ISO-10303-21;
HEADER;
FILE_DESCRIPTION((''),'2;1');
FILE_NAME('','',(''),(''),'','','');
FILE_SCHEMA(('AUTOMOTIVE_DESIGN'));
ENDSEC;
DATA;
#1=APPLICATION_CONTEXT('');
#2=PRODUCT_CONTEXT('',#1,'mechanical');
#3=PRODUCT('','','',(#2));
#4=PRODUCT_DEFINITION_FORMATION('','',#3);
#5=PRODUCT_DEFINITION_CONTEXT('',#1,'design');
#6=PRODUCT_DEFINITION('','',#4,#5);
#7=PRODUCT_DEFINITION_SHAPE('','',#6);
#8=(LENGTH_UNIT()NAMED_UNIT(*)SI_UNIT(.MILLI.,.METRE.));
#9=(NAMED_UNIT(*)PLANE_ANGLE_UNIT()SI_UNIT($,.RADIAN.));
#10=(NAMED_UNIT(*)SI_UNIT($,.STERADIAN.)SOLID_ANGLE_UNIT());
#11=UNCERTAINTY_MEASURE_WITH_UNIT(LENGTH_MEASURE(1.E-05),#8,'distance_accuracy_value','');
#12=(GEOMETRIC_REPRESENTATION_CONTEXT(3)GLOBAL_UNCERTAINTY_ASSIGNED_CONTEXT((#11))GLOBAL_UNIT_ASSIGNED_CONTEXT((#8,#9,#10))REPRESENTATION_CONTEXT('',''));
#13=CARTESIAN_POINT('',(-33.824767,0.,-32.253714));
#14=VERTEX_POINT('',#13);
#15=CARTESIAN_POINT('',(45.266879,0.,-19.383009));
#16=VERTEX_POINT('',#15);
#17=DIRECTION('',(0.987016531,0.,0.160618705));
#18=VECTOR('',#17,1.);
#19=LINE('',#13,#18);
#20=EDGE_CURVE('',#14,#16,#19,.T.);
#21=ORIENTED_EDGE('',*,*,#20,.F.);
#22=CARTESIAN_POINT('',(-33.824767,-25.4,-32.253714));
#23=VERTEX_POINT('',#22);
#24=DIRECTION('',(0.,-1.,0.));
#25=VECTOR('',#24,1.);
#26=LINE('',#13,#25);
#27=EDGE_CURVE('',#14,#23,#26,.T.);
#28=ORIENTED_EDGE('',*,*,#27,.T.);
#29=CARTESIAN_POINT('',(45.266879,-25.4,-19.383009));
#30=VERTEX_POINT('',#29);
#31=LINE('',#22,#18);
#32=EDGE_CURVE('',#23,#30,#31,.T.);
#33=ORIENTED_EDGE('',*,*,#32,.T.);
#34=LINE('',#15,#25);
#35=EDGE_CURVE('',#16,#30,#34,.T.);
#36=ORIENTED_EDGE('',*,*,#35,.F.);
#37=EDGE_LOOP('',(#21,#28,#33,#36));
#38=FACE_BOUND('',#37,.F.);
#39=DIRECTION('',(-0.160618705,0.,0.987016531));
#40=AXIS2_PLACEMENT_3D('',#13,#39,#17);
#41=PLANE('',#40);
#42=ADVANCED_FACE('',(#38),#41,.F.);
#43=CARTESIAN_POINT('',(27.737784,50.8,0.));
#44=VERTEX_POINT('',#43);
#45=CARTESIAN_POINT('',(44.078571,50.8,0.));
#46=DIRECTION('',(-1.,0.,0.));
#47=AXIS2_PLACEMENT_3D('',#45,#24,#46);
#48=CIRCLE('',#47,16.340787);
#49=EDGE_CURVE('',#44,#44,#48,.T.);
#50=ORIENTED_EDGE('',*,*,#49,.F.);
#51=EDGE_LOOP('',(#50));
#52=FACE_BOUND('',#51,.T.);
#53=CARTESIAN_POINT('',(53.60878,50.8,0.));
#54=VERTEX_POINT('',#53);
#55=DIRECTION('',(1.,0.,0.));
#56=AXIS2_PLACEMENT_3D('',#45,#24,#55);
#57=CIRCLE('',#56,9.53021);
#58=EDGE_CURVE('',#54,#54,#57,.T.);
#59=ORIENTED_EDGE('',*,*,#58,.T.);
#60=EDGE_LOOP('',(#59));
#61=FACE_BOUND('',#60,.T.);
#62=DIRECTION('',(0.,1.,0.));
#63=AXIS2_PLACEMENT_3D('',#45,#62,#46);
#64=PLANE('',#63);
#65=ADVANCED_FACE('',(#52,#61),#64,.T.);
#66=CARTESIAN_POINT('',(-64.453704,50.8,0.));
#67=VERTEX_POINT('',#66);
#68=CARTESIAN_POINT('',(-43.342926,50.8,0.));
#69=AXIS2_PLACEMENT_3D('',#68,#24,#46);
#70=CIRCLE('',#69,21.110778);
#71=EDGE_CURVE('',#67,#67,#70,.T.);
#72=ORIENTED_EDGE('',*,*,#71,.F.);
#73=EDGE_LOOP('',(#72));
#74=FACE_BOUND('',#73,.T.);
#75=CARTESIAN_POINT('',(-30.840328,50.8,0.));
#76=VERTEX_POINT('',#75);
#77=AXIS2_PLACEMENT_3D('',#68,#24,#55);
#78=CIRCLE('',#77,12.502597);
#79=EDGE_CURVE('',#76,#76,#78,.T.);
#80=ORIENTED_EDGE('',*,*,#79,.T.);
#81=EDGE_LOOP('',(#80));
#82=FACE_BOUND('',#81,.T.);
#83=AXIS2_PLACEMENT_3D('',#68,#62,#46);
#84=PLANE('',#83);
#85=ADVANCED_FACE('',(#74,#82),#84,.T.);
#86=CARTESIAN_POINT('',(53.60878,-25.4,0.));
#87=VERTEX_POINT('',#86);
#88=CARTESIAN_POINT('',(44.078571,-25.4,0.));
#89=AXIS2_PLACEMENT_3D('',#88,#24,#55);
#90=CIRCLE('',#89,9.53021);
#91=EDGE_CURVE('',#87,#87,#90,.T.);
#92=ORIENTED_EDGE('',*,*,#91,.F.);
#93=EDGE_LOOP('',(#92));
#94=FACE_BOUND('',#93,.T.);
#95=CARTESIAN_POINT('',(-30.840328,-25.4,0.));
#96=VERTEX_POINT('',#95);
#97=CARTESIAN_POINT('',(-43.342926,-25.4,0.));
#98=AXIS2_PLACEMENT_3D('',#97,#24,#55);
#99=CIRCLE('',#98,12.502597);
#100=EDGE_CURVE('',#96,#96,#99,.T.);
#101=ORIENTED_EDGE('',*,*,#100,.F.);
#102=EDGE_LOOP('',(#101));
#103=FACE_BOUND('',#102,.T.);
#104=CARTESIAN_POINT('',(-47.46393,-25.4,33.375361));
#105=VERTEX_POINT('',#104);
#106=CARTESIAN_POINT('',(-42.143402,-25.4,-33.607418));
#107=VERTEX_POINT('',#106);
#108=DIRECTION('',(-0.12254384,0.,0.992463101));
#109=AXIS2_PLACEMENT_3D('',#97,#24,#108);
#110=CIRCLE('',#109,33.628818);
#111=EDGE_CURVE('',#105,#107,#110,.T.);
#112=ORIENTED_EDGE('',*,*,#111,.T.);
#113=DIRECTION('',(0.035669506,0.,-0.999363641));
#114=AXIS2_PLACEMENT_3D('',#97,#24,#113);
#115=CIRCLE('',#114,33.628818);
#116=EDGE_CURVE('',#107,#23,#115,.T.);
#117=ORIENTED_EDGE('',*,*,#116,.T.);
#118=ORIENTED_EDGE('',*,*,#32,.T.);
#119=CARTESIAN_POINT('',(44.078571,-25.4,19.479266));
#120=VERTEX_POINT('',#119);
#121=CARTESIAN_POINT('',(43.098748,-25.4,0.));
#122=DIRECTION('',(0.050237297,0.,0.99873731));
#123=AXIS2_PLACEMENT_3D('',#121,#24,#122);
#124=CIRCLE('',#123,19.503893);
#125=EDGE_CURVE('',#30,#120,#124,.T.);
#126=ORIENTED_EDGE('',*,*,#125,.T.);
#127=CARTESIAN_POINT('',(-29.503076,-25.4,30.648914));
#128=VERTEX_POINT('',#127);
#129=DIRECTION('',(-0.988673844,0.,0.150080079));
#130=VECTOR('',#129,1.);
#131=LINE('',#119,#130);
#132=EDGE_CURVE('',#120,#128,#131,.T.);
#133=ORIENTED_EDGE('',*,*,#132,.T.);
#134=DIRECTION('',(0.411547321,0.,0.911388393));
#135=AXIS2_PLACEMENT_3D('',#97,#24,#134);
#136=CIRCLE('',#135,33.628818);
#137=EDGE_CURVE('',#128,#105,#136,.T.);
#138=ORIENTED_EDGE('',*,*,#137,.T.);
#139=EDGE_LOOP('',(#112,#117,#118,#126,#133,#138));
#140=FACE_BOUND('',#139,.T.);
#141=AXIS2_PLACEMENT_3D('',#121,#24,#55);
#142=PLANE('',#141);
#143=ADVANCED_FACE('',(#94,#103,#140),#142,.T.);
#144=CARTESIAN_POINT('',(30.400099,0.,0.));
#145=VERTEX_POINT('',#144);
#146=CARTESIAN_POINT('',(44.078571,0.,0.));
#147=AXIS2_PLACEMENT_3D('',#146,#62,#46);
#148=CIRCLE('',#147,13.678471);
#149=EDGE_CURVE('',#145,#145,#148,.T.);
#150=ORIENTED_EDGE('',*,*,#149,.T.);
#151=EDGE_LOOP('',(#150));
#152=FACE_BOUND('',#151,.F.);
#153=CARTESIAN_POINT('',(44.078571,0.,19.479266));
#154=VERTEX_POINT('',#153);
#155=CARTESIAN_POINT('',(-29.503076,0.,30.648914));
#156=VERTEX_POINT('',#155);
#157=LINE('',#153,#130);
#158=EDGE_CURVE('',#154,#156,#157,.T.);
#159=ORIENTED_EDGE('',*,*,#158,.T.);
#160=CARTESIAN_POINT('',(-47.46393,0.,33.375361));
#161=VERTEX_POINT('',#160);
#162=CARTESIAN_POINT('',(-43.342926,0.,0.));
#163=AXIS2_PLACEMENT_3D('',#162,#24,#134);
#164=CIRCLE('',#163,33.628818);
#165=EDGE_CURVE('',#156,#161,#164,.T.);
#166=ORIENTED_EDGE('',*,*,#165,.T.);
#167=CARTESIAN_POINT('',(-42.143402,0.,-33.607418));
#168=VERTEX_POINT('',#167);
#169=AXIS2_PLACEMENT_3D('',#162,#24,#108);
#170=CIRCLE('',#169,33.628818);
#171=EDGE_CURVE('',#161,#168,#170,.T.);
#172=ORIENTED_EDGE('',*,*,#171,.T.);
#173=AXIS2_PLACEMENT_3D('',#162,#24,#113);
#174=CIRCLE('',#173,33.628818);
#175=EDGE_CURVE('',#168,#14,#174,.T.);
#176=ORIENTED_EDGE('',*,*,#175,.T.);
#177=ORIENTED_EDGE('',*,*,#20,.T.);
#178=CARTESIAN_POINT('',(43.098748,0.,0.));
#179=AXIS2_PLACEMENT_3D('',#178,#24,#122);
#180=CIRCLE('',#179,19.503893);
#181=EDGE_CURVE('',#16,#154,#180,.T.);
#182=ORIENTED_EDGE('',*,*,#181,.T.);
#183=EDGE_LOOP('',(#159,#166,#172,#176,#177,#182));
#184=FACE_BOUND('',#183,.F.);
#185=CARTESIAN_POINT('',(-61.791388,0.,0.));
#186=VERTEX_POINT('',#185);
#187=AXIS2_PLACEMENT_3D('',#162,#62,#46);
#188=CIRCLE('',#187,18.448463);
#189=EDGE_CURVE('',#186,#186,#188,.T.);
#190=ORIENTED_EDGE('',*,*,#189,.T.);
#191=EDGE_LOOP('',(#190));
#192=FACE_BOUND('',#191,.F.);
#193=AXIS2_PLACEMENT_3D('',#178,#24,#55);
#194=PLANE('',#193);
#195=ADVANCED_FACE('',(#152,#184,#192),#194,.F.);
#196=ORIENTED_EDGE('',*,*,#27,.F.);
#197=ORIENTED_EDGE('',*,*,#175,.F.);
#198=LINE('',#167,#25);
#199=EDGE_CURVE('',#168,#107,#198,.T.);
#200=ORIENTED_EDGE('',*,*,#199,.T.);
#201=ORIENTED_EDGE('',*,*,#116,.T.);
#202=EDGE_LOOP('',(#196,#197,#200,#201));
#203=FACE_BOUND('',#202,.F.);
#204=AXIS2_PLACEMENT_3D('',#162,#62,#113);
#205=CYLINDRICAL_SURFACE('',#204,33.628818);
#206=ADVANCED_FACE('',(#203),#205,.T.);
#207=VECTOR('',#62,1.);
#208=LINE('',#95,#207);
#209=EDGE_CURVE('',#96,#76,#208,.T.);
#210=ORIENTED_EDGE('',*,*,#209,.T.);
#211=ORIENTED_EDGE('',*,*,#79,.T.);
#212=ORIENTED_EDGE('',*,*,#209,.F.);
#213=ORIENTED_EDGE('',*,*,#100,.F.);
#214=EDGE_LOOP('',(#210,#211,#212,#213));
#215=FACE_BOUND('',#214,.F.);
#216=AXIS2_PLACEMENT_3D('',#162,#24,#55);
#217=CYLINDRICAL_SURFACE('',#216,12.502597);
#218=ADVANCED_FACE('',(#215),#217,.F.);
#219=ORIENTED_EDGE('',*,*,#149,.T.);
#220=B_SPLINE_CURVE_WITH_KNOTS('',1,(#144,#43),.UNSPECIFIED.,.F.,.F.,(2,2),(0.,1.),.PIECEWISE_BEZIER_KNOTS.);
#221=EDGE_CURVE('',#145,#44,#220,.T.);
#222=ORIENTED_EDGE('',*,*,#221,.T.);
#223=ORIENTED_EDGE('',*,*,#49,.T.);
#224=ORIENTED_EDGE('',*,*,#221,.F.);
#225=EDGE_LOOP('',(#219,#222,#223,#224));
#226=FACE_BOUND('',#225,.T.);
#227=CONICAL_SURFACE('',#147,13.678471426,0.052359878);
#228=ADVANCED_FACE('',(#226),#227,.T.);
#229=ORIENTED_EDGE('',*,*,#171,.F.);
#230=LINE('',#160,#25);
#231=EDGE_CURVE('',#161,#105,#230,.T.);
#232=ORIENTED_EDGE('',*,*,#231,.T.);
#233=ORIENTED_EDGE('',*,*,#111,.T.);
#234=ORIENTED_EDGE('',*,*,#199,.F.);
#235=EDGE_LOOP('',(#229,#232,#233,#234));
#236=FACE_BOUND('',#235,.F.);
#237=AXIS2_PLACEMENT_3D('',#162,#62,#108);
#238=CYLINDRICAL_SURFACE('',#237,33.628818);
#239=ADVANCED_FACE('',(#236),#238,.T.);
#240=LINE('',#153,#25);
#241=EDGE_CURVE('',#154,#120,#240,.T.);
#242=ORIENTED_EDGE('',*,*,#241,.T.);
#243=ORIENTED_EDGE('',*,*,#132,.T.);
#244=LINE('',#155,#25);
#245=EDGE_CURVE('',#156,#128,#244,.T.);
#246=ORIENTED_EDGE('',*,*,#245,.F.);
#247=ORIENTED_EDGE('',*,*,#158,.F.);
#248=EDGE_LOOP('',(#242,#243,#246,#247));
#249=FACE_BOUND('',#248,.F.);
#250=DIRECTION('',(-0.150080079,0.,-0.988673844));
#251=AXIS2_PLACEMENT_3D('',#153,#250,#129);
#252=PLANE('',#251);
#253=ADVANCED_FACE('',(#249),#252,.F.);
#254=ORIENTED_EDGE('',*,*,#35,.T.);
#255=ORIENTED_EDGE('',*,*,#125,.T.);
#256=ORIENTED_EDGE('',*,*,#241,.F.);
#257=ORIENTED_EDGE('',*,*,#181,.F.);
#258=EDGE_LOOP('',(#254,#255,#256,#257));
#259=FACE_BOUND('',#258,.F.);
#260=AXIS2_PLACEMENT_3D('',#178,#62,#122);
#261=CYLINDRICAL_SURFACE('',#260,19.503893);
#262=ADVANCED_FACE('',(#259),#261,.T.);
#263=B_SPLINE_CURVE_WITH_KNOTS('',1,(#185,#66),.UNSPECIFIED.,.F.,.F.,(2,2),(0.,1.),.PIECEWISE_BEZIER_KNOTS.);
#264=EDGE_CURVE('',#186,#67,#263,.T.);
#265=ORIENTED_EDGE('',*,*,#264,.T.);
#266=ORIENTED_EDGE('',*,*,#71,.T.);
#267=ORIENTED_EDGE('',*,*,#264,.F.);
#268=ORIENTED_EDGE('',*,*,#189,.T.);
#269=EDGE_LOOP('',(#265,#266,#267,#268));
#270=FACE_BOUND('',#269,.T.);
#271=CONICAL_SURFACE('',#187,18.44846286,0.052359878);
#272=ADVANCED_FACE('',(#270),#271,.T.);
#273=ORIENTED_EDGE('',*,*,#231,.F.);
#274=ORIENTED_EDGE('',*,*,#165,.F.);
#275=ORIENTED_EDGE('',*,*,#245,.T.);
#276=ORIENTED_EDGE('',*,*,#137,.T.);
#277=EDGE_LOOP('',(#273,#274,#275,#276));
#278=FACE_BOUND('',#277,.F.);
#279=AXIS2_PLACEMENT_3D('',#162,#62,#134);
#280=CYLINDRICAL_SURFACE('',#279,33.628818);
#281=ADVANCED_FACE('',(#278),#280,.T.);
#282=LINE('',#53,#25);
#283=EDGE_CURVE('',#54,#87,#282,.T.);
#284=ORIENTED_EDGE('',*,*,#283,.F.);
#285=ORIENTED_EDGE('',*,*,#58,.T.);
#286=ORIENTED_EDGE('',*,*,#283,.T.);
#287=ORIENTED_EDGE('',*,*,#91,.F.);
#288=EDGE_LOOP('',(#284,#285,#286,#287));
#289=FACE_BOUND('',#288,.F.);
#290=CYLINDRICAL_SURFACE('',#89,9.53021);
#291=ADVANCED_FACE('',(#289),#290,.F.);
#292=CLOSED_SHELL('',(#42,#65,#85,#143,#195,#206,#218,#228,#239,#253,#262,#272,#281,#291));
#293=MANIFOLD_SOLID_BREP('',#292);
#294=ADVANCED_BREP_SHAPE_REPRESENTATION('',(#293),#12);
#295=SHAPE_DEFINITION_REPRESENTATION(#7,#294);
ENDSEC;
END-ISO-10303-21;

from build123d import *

# Parameters (mm, degrees)
F1_DEPTH = 25.4
F2_R     = 12.5025972882
F2_R_2   = 9.5302098869
F3_DEPTH = 25.4
F4_R     = 18.4484628598
F4_R_2   = 13.6784714259
F5_DEPTH = 50.8
F5_TAPER = -3
F6_DEPTH = 50.8
F7_DEPTH = 50.8


with BuildPart() as f1:
    # F0 (on Front) → F1 (new body)
    with BuildSketch(Plane.XZ):
        with BuildLine():
            ThreePointArc((45.2668793955, -19.3830094207), (57.6364376691, -13.0022082879), (62.6026409088, 0))
            ThreePointArc((62.6026409088, 0), (57.2322577304, 13.4404517854), (44.0785706073, 19.4792658036))
            ThreePointArc((44.0785706073, 19.4792658036), (23.6039660348, -0.5961004671), (45.2668793955, -19.3830094207))
        make_face()
        with BuildLine():
            ThreePointArc((45.2668793955, -19.3830094207), (23.6039660348, -0.5961004671), (44.0785706073, 19.4792658036))
            Line((44.0785706073, 19.4792658036), (-29.5030757231, 30.6489142731))
            ThreePointArc((-29.5030757231, 30.6489142731), (-15.0912426316, 18.2411567602), (-9.7141077437, 0))
            ThreePointArc((-9.7141077437, 0), (-16.4079870718, -20.1347082672), (-33.8247665625, -32.2537135744))
            Line((-33.8247665625, -32.2537135744), (45.2668793955, -19.3830094207))
        make_face()
        with BuildLine():
            Line((-47.4639300675, 33.3753608701), (-29.5030757231, 30.6489142731))
            ThreePointArc((-29.5030757231, 30.6489142731), (-38.2959099688, 33.2479326289), (-47.4639300675, 33.3753608701))
        make_face()
        with BuildLine():
            ThreePointArc((-9.7141077437, 0), (-15.0912426316, 18.2411567602), (-29.5030757231, 30.6489142731))
            Line((-29.5030757231, 30.6489142731), (-47.4639300675, 33.3753608701))
            ThreePointArc((-47.4639300675, 33.3753608701), (-76.8661552323, -2.6627929941), (-42.1434023047, -33.6074178539))
            Line((-42.1434023047, -33.6074178539), (-33.8247665625, -32.2537135744))
            ThreePointArc((-33.8247665625, -32.2537135744), (-16.4079870718, -20.1347082672), (-9.7141077437, 0))
        make_face()
        with BuildLine():
            ThreePointArc((-42.1434023047, -33.6074178539), (-37.9415084281, -33.1921991348), (-33.8247665625, -32.2537135744))
            Line((-33.8247665625, -32.2537135744), (-42.1434023047, -33.6074178539))
        make_face()
    extrude(amount=F1_DEPTH)

    # F2 (on face) → F3 (cut)
    with BuildSketch(Plane.XZ.offset(25.4)):
        with Locations((-43.3429256082, 0)):
            Circle(F2_R)
        with Locations((44.0785706073, 0)):
            Circle(F2_R_2)
    extrude(amount=-F3_DEPTH, mode=Mode.SUBTRACT)

    # F4 (on face) → F5 (join)
    with BuildSketch(Plane(origin=(0, 0, 0), x_dir=(-1, 0, 0), z_dir=(0, 1, 0))):
        with Locations((43.3429256082, 0)):
            Circle(F4_R)
        with Locations((-44.0785706073, 0)):
            Circle(F4_R_2)
    extrude(amount=F5_DEPTH, taper=F5_TAPER)

    # F6 (cut): a face of the model
    f6_faces = [f1.faces().sort_by_distance(p)[0] for p in [
        (-43.3429256082, 0, 0),
    ]]
    extrude(f6_faces, amount=-F6_DEPTH, mode=Mode.SUBTRACT)

    # F7 (cut): a face of the model
    f7_faces = [f1.faces().sort_by_distance(p)[0] for p in [
        (44.0785706073, 0, 0),
    ]]
    extrude(f7_faces, amount=-F7_DEPTH, mode=Mode.SUBTRACT)


solid = f1.part
